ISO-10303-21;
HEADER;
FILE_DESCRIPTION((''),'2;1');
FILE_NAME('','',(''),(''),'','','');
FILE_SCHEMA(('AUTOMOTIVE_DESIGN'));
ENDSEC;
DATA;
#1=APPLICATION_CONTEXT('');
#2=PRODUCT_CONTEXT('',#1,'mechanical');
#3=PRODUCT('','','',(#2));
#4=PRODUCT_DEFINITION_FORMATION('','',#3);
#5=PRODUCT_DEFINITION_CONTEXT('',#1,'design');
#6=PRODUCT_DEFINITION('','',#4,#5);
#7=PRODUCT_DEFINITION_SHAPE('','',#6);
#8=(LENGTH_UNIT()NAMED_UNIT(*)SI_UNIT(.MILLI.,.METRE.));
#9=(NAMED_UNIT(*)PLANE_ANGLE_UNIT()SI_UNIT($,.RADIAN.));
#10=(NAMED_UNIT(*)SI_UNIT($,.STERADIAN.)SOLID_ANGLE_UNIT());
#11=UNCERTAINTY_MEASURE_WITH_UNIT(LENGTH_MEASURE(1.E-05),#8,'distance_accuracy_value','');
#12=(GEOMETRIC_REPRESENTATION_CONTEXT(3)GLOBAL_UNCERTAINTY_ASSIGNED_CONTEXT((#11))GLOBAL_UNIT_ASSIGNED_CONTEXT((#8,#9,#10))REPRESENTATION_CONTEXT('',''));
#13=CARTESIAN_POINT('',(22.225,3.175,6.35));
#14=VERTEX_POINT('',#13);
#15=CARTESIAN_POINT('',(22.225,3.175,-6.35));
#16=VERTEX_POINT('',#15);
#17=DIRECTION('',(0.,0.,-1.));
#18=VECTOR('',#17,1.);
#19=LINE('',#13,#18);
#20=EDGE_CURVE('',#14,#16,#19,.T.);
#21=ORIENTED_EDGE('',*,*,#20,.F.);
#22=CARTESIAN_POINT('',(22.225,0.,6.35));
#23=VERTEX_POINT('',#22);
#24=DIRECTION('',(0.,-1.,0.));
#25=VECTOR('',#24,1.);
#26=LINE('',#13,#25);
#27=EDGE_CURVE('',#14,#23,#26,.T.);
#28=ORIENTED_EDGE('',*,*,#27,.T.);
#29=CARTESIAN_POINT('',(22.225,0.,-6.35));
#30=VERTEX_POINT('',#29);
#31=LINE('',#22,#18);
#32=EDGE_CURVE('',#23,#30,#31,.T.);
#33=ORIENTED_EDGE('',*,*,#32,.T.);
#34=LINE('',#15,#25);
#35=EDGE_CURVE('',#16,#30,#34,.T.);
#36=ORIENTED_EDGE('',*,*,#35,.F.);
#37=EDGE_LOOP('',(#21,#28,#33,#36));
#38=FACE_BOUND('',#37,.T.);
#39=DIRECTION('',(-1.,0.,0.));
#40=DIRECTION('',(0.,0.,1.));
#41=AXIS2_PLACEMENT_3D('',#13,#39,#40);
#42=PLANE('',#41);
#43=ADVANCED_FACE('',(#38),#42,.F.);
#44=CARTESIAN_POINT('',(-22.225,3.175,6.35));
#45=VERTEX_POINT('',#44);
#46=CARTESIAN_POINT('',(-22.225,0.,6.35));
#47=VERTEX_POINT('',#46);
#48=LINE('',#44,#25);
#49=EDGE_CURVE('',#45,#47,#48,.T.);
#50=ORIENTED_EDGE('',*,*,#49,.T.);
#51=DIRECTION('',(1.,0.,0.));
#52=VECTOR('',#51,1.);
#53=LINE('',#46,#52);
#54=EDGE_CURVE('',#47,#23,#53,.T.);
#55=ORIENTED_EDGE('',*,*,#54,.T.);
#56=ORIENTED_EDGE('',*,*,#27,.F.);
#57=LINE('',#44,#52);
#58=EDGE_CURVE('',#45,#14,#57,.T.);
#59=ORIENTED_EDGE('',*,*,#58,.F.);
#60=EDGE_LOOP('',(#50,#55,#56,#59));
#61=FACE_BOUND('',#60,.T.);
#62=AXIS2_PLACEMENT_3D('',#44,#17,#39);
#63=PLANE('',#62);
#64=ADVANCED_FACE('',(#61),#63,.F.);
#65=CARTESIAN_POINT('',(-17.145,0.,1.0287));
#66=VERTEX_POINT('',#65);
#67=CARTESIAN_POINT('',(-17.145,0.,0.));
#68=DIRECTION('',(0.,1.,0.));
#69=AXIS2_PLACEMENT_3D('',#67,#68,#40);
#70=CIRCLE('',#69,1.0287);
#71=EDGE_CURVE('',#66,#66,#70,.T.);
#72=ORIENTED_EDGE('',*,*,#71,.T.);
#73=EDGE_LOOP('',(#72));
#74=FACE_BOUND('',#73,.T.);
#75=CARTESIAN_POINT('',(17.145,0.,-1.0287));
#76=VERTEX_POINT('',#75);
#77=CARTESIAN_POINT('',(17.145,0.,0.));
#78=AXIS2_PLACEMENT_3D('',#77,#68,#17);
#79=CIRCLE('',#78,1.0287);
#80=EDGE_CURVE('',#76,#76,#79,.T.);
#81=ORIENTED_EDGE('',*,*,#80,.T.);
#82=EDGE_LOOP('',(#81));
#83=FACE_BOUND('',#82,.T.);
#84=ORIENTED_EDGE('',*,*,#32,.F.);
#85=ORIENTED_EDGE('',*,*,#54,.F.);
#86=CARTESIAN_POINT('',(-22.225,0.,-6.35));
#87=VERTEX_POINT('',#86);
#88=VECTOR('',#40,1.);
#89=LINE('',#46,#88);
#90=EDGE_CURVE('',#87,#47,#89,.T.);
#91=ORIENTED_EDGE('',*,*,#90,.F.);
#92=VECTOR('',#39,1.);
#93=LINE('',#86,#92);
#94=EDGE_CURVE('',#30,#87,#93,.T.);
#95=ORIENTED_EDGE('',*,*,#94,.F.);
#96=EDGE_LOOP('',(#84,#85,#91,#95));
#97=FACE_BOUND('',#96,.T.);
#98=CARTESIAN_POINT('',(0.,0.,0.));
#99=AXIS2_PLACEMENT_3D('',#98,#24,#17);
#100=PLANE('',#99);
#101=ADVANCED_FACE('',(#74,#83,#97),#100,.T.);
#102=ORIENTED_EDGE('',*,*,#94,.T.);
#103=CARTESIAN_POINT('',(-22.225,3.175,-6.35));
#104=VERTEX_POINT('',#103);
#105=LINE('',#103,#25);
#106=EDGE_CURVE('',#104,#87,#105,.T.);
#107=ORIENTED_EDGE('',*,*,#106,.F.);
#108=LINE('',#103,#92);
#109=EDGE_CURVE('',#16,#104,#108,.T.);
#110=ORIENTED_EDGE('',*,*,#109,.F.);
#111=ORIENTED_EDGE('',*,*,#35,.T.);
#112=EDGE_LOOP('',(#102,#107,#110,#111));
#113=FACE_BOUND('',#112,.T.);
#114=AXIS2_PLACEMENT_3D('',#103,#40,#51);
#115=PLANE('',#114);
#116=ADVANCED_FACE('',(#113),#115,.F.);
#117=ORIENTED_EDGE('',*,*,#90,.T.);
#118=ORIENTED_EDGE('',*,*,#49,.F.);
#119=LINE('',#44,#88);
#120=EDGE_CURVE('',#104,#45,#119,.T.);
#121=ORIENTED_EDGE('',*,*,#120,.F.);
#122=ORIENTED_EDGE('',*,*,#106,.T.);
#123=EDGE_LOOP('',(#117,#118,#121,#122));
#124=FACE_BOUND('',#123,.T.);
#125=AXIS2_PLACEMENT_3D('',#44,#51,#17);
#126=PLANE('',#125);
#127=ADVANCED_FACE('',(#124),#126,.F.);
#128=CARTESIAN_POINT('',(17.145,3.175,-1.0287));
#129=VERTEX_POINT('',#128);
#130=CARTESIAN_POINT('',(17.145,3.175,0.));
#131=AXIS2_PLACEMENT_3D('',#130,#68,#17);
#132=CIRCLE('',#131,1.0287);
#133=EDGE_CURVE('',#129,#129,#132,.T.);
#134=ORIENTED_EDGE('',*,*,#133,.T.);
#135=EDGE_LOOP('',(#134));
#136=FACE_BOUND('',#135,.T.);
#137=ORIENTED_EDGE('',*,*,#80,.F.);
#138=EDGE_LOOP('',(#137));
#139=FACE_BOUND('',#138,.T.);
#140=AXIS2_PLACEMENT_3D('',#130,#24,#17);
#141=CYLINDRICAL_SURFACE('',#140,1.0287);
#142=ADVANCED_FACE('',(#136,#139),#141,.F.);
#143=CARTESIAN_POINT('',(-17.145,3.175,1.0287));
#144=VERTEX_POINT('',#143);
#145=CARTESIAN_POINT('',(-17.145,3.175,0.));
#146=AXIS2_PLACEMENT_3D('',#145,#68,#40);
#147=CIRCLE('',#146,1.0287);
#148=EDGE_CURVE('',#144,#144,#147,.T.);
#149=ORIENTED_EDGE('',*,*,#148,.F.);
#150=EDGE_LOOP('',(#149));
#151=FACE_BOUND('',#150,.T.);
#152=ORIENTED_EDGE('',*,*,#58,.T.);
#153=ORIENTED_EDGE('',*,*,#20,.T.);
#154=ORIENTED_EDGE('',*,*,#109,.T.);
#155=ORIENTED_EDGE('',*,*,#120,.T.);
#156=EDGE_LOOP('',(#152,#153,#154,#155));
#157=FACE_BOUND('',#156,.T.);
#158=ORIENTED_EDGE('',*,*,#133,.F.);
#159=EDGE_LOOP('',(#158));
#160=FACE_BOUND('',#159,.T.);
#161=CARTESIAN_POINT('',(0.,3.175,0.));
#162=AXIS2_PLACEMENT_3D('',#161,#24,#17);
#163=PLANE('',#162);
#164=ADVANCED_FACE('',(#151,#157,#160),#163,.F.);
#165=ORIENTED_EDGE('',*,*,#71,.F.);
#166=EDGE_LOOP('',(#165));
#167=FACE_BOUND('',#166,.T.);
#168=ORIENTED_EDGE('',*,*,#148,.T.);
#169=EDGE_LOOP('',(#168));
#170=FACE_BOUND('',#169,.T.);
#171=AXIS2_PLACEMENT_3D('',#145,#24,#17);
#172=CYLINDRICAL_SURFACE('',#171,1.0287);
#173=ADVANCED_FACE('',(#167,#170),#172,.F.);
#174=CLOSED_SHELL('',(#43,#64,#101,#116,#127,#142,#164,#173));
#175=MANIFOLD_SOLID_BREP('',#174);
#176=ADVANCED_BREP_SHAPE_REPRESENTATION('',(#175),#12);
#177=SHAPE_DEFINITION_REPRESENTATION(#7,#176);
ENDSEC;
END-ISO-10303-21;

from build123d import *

# Parameters (mm, degrees)
SKETCH1_W           = 44.45
SKETCH1_H           = 12.7
SKETCH1_R           = 1.0287
BOSS_EXTRUDE1_DEPTH = 3.175


with BuildPart() as part:
    # Sketch1 → Boss-Extrude1 (new body)
    with BuildSketch(Plane(origin=(0, 0, 0), x_dir=(1, 0, 0), z_dir=(0, 1, 0))):
        Rectangle(SKETCH1_W, SKETCH1_H)
        with Locations(Location((-17.145, 0, 0), (0, 0, 270))):
            Circle(SKETCH1_R, mode=Mode.SUBTRACT)
        with Locations(Location((17.145, 0, 0), (0, 0, 90))):
            Circle(SKETCH1_R, mode=Mode.SUBTRACT)
    extrude(amount=BOSS_EXTRUDE1_DEPTH)


solid = part.part
